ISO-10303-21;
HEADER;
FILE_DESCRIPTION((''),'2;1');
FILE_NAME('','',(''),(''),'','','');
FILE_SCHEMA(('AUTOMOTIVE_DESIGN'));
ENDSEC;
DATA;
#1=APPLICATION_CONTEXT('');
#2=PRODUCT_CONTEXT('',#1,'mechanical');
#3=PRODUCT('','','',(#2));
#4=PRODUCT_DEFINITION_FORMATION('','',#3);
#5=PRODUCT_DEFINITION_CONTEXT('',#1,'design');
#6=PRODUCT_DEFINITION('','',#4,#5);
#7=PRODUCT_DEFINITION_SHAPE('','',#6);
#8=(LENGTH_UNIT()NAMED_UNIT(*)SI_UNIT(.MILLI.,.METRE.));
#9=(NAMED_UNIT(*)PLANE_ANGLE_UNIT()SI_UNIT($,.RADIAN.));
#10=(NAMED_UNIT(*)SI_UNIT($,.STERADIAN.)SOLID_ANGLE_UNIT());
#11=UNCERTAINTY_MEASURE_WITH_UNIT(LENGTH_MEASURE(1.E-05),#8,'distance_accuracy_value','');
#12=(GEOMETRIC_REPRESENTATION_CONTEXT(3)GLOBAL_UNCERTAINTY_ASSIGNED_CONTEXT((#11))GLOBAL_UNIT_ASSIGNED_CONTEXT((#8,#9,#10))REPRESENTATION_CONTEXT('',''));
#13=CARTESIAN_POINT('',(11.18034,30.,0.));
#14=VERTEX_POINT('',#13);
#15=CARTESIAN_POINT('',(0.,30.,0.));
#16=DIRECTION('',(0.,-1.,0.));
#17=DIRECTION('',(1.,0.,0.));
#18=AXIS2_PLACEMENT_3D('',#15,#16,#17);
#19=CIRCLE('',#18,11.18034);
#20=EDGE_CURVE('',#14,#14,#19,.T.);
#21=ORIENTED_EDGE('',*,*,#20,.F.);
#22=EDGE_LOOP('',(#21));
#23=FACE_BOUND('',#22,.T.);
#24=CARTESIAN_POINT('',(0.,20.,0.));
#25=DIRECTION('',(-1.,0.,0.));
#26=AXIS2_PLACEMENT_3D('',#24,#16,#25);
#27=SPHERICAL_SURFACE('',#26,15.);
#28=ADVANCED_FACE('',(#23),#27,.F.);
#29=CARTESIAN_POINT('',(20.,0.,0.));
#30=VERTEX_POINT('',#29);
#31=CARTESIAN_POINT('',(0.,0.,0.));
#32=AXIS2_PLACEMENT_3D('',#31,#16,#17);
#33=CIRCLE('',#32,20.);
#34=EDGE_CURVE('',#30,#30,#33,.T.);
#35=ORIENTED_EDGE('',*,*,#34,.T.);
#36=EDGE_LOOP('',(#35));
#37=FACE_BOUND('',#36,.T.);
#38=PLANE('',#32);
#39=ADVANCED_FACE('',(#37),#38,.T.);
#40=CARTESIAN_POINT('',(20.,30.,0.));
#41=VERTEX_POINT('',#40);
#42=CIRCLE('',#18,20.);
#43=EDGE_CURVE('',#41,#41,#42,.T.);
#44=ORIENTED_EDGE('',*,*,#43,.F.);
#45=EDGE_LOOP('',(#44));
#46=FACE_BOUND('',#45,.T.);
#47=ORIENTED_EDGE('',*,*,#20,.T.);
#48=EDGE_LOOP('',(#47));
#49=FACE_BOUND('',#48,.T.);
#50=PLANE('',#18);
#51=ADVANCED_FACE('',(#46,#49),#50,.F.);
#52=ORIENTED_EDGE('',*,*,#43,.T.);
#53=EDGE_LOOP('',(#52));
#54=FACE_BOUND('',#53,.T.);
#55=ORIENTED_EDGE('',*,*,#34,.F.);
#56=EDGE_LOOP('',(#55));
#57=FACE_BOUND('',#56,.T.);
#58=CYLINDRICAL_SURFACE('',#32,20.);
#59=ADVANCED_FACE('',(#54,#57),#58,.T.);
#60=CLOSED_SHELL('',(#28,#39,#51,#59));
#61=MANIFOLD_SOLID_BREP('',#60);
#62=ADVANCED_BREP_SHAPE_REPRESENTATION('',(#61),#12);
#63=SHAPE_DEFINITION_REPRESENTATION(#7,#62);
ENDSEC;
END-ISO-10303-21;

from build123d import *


with BuildPart() as part:
    # Szkic1 → Obrót1 (revolve)
    with BuildSketch(Plane.XY):
        with BuildLine():
            Line((-20, 0), (0, 0))
            Line((0, 0), (0, 5))
            ThreePointArc((0, 5), (-13.693063938, 13.876275643), (-11.180339887, 30))
            Line((-11.180339887, 30), (-20, 30))
            Line((-20, 30), (-20, 0))
        make_face()
    revolve(axis=Axis((0, 0, 0), (0, 1, 0)))


solid = part.part
